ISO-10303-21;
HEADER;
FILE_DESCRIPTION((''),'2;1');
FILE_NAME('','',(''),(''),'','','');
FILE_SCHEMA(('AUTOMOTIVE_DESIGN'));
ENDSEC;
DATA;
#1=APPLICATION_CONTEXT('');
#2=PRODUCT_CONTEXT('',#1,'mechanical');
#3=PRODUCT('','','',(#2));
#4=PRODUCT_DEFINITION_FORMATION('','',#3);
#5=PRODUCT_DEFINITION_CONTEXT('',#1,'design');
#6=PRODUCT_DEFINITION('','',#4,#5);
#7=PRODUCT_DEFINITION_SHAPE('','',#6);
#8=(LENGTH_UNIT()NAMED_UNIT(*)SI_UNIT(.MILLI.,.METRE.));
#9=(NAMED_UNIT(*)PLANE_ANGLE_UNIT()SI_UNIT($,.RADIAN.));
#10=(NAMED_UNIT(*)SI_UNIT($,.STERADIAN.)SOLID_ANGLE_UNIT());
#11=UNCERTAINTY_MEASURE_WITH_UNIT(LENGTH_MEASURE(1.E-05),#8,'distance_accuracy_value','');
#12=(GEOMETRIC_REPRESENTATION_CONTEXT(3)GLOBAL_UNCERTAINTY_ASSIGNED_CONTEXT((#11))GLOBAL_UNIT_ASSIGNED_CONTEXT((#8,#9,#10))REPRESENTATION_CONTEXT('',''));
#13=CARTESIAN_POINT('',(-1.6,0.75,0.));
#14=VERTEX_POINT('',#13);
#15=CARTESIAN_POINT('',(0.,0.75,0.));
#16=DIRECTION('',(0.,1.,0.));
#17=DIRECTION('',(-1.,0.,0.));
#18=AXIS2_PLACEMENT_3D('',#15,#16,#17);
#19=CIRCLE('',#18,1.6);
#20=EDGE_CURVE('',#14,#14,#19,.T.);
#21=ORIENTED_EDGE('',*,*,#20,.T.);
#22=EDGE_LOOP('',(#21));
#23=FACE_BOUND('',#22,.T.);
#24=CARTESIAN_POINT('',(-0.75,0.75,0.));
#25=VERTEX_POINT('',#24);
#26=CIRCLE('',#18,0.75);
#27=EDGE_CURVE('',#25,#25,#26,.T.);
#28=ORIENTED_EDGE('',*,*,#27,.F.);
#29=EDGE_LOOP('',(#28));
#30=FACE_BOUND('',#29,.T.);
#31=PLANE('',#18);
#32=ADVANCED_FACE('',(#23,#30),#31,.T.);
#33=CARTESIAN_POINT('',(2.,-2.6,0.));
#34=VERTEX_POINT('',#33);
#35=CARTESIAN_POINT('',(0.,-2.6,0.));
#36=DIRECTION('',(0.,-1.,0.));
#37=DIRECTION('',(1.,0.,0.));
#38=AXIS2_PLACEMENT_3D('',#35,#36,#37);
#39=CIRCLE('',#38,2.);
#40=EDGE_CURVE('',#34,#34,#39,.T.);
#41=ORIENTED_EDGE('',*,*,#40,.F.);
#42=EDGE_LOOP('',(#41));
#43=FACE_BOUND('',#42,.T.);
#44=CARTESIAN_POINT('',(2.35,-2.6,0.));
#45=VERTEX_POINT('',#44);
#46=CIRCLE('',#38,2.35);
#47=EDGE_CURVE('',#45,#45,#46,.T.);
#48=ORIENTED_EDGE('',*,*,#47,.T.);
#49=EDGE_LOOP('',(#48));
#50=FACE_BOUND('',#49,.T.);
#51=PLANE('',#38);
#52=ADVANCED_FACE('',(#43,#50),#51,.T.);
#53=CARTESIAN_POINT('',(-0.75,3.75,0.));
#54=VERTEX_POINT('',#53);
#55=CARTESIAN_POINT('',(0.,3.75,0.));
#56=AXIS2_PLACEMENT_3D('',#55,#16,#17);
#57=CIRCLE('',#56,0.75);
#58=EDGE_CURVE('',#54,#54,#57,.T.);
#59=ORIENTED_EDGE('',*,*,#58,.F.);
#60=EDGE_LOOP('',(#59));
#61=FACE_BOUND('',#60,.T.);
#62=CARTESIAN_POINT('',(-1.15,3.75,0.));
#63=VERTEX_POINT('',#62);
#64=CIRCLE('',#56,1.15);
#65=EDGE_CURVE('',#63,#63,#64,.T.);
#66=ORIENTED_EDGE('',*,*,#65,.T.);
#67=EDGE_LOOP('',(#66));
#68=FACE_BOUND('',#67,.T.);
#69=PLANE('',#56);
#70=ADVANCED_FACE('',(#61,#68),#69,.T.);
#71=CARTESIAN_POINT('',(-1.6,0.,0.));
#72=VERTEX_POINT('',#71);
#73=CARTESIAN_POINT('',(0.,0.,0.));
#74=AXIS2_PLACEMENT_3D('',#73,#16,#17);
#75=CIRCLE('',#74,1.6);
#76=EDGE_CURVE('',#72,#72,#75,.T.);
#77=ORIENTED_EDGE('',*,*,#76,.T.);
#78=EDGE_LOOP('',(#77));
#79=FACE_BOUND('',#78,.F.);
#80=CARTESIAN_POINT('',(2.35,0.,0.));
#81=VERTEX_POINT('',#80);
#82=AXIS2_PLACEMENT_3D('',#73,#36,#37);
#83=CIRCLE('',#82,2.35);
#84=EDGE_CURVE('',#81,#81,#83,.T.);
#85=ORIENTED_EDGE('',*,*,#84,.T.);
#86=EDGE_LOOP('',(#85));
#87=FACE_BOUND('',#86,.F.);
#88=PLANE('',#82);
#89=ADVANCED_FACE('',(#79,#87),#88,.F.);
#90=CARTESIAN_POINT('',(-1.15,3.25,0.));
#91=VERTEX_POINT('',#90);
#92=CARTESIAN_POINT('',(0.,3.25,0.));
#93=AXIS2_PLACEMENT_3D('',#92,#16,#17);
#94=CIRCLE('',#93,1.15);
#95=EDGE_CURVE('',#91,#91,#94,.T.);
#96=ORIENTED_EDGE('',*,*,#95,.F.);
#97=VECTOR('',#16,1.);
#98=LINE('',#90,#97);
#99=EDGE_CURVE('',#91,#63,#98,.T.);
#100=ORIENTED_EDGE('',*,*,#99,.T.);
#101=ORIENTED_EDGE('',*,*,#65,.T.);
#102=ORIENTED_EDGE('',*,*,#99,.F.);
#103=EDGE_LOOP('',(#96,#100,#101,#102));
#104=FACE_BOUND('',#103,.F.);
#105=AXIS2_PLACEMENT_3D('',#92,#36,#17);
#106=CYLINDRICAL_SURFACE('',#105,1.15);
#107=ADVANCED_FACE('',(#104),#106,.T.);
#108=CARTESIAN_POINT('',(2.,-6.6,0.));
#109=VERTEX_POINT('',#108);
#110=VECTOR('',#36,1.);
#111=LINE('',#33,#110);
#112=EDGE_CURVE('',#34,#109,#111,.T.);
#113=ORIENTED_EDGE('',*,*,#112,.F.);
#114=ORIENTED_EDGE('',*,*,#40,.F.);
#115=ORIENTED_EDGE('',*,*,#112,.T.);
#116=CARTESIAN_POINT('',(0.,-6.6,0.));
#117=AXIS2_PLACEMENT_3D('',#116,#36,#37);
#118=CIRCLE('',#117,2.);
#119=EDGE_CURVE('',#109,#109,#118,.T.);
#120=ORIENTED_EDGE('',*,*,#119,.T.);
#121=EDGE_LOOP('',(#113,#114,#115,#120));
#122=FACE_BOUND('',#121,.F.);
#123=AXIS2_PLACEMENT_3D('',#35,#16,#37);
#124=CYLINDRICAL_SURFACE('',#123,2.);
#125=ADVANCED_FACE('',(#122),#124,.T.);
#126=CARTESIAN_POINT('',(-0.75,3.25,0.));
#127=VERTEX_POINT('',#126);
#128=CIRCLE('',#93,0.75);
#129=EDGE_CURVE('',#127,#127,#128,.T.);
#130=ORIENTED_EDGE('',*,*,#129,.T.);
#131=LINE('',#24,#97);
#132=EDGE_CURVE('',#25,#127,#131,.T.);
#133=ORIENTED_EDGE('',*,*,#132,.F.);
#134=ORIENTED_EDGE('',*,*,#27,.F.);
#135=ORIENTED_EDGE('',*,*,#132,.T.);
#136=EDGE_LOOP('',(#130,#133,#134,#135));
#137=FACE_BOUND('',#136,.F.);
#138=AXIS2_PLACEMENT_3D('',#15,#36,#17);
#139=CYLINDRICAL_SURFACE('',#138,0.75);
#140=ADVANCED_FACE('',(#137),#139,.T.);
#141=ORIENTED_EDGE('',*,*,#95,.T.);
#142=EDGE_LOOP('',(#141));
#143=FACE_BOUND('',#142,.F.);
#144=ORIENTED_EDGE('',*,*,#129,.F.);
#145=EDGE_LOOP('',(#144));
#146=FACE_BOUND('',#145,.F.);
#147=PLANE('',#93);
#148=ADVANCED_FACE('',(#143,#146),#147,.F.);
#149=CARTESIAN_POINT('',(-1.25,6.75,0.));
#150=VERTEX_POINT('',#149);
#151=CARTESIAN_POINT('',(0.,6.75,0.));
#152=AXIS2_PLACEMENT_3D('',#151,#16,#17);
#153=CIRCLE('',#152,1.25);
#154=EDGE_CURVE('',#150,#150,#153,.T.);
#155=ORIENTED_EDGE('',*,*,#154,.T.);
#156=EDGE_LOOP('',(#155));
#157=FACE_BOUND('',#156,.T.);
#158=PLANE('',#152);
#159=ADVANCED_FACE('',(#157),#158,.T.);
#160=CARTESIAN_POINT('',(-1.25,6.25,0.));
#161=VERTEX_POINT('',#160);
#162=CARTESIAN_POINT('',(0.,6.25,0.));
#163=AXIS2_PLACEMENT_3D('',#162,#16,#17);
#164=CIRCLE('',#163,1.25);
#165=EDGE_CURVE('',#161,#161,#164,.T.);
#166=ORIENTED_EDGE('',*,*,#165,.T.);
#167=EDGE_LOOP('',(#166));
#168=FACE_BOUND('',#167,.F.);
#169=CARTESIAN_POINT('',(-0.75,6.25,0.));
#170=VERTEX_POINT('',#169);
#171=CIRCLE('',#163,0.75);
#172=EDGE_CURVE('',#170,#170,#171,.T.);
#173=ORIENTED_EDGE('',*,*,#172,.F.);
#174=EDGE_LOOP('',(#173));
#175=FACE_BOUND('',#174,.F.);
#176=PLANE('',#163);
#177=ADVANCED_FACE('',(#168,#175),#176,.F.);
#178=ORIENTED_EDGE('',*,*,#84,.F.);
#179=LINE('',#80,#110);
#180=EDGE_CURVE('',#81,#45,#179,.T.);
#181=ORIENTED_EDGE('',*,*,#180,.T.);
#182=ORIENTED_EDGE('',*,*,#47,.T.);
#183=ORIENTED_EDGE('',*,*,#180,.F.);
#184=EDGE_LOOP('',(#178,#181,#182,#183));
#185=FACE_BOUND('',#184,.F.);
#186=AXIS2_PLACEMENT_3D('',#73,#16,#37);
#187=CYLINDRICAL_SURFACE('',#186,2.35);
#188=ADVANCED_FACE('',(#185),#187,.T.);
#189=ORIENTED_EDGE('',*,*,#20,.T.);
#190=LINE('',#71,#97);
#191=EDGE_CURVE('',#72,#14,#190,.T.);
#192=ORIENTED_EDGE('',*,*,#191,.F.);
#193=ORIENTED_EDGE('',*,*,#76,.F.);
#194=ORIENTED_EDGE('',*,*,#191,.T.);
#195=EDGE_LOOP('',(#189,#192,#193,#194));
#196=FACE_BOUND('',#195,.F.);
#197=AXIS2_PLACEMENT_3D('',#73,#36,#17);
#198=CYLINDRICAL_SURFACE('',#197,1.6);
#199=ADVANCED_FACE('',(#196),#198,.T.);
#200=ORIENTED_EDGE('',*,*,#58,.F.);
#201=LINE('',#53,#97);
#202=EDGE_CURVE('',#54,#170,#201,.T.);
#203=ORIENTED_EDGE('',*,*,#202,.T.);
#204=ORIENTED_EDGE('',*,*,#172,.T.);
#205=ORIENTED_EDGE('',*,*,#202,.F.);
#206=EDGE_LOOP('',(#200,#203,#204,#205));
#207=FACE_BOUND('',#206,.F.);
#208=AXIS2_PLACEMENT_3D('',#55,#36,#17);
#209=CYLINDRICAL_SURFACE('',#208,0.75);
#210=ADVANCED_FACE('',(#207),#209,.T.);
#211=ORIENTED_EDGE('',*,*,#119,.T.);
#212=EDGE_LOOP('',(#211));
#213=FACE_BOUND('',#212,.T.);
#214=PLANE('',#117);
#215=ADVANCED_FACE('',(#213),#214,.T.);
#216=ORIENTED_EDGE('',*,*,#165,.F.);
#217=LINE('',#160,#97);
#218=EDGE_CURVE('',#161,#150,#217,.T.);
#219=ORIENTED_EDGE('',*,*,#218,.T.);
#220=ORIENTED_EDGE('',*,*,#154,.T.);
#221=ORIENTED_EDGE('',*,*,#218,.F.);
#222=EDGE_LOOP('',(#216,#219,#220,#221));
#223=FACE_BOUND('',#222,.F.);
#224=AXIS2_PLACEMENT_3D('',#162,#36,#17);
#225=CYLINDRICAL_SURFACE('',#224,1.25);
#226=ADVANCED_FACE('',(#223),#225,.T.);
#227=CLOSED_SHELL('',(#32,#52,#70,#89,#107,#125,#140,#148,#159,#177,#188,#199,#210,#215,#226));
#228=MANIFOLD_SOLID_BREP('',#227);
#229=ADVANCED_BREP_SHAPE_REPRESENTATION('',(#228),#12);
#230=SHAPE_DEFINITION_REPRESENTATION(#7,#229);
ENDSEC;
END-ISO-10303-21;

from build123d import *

# Parameters (mm, degrees)
F0_R      = 2.35
F1_DEPTH  = 2.6
F2_R      = 2
F3_DEPTH  = 4
F4_R      = 1.6
F5_DEPTH  = 0.75
F6_R      = 0.75
F7_DEPTH  = 2.5
F8_R      = 1.15
F9_DEPTH  = 0.5
F10_R     = 0.75
F11_DEPTH = 2.5
F12_R     = 1.25
F13_DEPTH = 0.5


with BuildPart() as f1:
    # F0 (on Front) → F1 (new body)
    with BuildSketch(Plane.XZ):
        Circle(F0_R)
    extrude(amount=F1_DEPTH)

    # F2 (on face) → F3 (join)
    with BuildSketch(Plane.XZ.offset(2.6)):
        Circle(F2_R)
    extrude(amount=F3_DEPTH)

    # F4 (on face) → F5 (join)
    with BuildSketch(Plane(origin=(0, 0, 0), x_dir=(-1, 0, 0), z_dir=(0, 1, 0))):
        Circle(F4_R)
    extrude(amount=F5_DEPTH)

    # F6 (on face) → F7 (join)
    with BuildSketch(Plane(origin=(0, 0.75, 0), x_dir=(-1, 0, 0), z_dir=(0, 1, 0))):
        Circle(F6_R)
    extrude(amount=F7_DEPTH)

    # F8 (on face) → F9 (join)
    with BuildSketch(Plane(origin=(0, 3.25, 0), x_dir=(-1, 0, 0), z_dir=(0, 1, 0))):
        Circle(F8_R)
    extrude(amount=F9_DEPTH)

    # F10 (on face) → F11 (join)
    with BuildSketch(Plane(origin=(0, 3.75, 0), x_dir=(-1, 0, 0), z_dir=(0, 1, 0))):
        Circle(F10_R)
    extrude(amount=F11_DEPTH)

    # F12 (on face) → F13 (join)
    with BuildSketch(Plane(origin=(0, 6.25, 0), x_dir=(-1, 0, 0), z_dir=(0, 1, 0))):
        Circle(F12_R)
    extrude(amount=F13_DEPTH)


solid = f1.part
